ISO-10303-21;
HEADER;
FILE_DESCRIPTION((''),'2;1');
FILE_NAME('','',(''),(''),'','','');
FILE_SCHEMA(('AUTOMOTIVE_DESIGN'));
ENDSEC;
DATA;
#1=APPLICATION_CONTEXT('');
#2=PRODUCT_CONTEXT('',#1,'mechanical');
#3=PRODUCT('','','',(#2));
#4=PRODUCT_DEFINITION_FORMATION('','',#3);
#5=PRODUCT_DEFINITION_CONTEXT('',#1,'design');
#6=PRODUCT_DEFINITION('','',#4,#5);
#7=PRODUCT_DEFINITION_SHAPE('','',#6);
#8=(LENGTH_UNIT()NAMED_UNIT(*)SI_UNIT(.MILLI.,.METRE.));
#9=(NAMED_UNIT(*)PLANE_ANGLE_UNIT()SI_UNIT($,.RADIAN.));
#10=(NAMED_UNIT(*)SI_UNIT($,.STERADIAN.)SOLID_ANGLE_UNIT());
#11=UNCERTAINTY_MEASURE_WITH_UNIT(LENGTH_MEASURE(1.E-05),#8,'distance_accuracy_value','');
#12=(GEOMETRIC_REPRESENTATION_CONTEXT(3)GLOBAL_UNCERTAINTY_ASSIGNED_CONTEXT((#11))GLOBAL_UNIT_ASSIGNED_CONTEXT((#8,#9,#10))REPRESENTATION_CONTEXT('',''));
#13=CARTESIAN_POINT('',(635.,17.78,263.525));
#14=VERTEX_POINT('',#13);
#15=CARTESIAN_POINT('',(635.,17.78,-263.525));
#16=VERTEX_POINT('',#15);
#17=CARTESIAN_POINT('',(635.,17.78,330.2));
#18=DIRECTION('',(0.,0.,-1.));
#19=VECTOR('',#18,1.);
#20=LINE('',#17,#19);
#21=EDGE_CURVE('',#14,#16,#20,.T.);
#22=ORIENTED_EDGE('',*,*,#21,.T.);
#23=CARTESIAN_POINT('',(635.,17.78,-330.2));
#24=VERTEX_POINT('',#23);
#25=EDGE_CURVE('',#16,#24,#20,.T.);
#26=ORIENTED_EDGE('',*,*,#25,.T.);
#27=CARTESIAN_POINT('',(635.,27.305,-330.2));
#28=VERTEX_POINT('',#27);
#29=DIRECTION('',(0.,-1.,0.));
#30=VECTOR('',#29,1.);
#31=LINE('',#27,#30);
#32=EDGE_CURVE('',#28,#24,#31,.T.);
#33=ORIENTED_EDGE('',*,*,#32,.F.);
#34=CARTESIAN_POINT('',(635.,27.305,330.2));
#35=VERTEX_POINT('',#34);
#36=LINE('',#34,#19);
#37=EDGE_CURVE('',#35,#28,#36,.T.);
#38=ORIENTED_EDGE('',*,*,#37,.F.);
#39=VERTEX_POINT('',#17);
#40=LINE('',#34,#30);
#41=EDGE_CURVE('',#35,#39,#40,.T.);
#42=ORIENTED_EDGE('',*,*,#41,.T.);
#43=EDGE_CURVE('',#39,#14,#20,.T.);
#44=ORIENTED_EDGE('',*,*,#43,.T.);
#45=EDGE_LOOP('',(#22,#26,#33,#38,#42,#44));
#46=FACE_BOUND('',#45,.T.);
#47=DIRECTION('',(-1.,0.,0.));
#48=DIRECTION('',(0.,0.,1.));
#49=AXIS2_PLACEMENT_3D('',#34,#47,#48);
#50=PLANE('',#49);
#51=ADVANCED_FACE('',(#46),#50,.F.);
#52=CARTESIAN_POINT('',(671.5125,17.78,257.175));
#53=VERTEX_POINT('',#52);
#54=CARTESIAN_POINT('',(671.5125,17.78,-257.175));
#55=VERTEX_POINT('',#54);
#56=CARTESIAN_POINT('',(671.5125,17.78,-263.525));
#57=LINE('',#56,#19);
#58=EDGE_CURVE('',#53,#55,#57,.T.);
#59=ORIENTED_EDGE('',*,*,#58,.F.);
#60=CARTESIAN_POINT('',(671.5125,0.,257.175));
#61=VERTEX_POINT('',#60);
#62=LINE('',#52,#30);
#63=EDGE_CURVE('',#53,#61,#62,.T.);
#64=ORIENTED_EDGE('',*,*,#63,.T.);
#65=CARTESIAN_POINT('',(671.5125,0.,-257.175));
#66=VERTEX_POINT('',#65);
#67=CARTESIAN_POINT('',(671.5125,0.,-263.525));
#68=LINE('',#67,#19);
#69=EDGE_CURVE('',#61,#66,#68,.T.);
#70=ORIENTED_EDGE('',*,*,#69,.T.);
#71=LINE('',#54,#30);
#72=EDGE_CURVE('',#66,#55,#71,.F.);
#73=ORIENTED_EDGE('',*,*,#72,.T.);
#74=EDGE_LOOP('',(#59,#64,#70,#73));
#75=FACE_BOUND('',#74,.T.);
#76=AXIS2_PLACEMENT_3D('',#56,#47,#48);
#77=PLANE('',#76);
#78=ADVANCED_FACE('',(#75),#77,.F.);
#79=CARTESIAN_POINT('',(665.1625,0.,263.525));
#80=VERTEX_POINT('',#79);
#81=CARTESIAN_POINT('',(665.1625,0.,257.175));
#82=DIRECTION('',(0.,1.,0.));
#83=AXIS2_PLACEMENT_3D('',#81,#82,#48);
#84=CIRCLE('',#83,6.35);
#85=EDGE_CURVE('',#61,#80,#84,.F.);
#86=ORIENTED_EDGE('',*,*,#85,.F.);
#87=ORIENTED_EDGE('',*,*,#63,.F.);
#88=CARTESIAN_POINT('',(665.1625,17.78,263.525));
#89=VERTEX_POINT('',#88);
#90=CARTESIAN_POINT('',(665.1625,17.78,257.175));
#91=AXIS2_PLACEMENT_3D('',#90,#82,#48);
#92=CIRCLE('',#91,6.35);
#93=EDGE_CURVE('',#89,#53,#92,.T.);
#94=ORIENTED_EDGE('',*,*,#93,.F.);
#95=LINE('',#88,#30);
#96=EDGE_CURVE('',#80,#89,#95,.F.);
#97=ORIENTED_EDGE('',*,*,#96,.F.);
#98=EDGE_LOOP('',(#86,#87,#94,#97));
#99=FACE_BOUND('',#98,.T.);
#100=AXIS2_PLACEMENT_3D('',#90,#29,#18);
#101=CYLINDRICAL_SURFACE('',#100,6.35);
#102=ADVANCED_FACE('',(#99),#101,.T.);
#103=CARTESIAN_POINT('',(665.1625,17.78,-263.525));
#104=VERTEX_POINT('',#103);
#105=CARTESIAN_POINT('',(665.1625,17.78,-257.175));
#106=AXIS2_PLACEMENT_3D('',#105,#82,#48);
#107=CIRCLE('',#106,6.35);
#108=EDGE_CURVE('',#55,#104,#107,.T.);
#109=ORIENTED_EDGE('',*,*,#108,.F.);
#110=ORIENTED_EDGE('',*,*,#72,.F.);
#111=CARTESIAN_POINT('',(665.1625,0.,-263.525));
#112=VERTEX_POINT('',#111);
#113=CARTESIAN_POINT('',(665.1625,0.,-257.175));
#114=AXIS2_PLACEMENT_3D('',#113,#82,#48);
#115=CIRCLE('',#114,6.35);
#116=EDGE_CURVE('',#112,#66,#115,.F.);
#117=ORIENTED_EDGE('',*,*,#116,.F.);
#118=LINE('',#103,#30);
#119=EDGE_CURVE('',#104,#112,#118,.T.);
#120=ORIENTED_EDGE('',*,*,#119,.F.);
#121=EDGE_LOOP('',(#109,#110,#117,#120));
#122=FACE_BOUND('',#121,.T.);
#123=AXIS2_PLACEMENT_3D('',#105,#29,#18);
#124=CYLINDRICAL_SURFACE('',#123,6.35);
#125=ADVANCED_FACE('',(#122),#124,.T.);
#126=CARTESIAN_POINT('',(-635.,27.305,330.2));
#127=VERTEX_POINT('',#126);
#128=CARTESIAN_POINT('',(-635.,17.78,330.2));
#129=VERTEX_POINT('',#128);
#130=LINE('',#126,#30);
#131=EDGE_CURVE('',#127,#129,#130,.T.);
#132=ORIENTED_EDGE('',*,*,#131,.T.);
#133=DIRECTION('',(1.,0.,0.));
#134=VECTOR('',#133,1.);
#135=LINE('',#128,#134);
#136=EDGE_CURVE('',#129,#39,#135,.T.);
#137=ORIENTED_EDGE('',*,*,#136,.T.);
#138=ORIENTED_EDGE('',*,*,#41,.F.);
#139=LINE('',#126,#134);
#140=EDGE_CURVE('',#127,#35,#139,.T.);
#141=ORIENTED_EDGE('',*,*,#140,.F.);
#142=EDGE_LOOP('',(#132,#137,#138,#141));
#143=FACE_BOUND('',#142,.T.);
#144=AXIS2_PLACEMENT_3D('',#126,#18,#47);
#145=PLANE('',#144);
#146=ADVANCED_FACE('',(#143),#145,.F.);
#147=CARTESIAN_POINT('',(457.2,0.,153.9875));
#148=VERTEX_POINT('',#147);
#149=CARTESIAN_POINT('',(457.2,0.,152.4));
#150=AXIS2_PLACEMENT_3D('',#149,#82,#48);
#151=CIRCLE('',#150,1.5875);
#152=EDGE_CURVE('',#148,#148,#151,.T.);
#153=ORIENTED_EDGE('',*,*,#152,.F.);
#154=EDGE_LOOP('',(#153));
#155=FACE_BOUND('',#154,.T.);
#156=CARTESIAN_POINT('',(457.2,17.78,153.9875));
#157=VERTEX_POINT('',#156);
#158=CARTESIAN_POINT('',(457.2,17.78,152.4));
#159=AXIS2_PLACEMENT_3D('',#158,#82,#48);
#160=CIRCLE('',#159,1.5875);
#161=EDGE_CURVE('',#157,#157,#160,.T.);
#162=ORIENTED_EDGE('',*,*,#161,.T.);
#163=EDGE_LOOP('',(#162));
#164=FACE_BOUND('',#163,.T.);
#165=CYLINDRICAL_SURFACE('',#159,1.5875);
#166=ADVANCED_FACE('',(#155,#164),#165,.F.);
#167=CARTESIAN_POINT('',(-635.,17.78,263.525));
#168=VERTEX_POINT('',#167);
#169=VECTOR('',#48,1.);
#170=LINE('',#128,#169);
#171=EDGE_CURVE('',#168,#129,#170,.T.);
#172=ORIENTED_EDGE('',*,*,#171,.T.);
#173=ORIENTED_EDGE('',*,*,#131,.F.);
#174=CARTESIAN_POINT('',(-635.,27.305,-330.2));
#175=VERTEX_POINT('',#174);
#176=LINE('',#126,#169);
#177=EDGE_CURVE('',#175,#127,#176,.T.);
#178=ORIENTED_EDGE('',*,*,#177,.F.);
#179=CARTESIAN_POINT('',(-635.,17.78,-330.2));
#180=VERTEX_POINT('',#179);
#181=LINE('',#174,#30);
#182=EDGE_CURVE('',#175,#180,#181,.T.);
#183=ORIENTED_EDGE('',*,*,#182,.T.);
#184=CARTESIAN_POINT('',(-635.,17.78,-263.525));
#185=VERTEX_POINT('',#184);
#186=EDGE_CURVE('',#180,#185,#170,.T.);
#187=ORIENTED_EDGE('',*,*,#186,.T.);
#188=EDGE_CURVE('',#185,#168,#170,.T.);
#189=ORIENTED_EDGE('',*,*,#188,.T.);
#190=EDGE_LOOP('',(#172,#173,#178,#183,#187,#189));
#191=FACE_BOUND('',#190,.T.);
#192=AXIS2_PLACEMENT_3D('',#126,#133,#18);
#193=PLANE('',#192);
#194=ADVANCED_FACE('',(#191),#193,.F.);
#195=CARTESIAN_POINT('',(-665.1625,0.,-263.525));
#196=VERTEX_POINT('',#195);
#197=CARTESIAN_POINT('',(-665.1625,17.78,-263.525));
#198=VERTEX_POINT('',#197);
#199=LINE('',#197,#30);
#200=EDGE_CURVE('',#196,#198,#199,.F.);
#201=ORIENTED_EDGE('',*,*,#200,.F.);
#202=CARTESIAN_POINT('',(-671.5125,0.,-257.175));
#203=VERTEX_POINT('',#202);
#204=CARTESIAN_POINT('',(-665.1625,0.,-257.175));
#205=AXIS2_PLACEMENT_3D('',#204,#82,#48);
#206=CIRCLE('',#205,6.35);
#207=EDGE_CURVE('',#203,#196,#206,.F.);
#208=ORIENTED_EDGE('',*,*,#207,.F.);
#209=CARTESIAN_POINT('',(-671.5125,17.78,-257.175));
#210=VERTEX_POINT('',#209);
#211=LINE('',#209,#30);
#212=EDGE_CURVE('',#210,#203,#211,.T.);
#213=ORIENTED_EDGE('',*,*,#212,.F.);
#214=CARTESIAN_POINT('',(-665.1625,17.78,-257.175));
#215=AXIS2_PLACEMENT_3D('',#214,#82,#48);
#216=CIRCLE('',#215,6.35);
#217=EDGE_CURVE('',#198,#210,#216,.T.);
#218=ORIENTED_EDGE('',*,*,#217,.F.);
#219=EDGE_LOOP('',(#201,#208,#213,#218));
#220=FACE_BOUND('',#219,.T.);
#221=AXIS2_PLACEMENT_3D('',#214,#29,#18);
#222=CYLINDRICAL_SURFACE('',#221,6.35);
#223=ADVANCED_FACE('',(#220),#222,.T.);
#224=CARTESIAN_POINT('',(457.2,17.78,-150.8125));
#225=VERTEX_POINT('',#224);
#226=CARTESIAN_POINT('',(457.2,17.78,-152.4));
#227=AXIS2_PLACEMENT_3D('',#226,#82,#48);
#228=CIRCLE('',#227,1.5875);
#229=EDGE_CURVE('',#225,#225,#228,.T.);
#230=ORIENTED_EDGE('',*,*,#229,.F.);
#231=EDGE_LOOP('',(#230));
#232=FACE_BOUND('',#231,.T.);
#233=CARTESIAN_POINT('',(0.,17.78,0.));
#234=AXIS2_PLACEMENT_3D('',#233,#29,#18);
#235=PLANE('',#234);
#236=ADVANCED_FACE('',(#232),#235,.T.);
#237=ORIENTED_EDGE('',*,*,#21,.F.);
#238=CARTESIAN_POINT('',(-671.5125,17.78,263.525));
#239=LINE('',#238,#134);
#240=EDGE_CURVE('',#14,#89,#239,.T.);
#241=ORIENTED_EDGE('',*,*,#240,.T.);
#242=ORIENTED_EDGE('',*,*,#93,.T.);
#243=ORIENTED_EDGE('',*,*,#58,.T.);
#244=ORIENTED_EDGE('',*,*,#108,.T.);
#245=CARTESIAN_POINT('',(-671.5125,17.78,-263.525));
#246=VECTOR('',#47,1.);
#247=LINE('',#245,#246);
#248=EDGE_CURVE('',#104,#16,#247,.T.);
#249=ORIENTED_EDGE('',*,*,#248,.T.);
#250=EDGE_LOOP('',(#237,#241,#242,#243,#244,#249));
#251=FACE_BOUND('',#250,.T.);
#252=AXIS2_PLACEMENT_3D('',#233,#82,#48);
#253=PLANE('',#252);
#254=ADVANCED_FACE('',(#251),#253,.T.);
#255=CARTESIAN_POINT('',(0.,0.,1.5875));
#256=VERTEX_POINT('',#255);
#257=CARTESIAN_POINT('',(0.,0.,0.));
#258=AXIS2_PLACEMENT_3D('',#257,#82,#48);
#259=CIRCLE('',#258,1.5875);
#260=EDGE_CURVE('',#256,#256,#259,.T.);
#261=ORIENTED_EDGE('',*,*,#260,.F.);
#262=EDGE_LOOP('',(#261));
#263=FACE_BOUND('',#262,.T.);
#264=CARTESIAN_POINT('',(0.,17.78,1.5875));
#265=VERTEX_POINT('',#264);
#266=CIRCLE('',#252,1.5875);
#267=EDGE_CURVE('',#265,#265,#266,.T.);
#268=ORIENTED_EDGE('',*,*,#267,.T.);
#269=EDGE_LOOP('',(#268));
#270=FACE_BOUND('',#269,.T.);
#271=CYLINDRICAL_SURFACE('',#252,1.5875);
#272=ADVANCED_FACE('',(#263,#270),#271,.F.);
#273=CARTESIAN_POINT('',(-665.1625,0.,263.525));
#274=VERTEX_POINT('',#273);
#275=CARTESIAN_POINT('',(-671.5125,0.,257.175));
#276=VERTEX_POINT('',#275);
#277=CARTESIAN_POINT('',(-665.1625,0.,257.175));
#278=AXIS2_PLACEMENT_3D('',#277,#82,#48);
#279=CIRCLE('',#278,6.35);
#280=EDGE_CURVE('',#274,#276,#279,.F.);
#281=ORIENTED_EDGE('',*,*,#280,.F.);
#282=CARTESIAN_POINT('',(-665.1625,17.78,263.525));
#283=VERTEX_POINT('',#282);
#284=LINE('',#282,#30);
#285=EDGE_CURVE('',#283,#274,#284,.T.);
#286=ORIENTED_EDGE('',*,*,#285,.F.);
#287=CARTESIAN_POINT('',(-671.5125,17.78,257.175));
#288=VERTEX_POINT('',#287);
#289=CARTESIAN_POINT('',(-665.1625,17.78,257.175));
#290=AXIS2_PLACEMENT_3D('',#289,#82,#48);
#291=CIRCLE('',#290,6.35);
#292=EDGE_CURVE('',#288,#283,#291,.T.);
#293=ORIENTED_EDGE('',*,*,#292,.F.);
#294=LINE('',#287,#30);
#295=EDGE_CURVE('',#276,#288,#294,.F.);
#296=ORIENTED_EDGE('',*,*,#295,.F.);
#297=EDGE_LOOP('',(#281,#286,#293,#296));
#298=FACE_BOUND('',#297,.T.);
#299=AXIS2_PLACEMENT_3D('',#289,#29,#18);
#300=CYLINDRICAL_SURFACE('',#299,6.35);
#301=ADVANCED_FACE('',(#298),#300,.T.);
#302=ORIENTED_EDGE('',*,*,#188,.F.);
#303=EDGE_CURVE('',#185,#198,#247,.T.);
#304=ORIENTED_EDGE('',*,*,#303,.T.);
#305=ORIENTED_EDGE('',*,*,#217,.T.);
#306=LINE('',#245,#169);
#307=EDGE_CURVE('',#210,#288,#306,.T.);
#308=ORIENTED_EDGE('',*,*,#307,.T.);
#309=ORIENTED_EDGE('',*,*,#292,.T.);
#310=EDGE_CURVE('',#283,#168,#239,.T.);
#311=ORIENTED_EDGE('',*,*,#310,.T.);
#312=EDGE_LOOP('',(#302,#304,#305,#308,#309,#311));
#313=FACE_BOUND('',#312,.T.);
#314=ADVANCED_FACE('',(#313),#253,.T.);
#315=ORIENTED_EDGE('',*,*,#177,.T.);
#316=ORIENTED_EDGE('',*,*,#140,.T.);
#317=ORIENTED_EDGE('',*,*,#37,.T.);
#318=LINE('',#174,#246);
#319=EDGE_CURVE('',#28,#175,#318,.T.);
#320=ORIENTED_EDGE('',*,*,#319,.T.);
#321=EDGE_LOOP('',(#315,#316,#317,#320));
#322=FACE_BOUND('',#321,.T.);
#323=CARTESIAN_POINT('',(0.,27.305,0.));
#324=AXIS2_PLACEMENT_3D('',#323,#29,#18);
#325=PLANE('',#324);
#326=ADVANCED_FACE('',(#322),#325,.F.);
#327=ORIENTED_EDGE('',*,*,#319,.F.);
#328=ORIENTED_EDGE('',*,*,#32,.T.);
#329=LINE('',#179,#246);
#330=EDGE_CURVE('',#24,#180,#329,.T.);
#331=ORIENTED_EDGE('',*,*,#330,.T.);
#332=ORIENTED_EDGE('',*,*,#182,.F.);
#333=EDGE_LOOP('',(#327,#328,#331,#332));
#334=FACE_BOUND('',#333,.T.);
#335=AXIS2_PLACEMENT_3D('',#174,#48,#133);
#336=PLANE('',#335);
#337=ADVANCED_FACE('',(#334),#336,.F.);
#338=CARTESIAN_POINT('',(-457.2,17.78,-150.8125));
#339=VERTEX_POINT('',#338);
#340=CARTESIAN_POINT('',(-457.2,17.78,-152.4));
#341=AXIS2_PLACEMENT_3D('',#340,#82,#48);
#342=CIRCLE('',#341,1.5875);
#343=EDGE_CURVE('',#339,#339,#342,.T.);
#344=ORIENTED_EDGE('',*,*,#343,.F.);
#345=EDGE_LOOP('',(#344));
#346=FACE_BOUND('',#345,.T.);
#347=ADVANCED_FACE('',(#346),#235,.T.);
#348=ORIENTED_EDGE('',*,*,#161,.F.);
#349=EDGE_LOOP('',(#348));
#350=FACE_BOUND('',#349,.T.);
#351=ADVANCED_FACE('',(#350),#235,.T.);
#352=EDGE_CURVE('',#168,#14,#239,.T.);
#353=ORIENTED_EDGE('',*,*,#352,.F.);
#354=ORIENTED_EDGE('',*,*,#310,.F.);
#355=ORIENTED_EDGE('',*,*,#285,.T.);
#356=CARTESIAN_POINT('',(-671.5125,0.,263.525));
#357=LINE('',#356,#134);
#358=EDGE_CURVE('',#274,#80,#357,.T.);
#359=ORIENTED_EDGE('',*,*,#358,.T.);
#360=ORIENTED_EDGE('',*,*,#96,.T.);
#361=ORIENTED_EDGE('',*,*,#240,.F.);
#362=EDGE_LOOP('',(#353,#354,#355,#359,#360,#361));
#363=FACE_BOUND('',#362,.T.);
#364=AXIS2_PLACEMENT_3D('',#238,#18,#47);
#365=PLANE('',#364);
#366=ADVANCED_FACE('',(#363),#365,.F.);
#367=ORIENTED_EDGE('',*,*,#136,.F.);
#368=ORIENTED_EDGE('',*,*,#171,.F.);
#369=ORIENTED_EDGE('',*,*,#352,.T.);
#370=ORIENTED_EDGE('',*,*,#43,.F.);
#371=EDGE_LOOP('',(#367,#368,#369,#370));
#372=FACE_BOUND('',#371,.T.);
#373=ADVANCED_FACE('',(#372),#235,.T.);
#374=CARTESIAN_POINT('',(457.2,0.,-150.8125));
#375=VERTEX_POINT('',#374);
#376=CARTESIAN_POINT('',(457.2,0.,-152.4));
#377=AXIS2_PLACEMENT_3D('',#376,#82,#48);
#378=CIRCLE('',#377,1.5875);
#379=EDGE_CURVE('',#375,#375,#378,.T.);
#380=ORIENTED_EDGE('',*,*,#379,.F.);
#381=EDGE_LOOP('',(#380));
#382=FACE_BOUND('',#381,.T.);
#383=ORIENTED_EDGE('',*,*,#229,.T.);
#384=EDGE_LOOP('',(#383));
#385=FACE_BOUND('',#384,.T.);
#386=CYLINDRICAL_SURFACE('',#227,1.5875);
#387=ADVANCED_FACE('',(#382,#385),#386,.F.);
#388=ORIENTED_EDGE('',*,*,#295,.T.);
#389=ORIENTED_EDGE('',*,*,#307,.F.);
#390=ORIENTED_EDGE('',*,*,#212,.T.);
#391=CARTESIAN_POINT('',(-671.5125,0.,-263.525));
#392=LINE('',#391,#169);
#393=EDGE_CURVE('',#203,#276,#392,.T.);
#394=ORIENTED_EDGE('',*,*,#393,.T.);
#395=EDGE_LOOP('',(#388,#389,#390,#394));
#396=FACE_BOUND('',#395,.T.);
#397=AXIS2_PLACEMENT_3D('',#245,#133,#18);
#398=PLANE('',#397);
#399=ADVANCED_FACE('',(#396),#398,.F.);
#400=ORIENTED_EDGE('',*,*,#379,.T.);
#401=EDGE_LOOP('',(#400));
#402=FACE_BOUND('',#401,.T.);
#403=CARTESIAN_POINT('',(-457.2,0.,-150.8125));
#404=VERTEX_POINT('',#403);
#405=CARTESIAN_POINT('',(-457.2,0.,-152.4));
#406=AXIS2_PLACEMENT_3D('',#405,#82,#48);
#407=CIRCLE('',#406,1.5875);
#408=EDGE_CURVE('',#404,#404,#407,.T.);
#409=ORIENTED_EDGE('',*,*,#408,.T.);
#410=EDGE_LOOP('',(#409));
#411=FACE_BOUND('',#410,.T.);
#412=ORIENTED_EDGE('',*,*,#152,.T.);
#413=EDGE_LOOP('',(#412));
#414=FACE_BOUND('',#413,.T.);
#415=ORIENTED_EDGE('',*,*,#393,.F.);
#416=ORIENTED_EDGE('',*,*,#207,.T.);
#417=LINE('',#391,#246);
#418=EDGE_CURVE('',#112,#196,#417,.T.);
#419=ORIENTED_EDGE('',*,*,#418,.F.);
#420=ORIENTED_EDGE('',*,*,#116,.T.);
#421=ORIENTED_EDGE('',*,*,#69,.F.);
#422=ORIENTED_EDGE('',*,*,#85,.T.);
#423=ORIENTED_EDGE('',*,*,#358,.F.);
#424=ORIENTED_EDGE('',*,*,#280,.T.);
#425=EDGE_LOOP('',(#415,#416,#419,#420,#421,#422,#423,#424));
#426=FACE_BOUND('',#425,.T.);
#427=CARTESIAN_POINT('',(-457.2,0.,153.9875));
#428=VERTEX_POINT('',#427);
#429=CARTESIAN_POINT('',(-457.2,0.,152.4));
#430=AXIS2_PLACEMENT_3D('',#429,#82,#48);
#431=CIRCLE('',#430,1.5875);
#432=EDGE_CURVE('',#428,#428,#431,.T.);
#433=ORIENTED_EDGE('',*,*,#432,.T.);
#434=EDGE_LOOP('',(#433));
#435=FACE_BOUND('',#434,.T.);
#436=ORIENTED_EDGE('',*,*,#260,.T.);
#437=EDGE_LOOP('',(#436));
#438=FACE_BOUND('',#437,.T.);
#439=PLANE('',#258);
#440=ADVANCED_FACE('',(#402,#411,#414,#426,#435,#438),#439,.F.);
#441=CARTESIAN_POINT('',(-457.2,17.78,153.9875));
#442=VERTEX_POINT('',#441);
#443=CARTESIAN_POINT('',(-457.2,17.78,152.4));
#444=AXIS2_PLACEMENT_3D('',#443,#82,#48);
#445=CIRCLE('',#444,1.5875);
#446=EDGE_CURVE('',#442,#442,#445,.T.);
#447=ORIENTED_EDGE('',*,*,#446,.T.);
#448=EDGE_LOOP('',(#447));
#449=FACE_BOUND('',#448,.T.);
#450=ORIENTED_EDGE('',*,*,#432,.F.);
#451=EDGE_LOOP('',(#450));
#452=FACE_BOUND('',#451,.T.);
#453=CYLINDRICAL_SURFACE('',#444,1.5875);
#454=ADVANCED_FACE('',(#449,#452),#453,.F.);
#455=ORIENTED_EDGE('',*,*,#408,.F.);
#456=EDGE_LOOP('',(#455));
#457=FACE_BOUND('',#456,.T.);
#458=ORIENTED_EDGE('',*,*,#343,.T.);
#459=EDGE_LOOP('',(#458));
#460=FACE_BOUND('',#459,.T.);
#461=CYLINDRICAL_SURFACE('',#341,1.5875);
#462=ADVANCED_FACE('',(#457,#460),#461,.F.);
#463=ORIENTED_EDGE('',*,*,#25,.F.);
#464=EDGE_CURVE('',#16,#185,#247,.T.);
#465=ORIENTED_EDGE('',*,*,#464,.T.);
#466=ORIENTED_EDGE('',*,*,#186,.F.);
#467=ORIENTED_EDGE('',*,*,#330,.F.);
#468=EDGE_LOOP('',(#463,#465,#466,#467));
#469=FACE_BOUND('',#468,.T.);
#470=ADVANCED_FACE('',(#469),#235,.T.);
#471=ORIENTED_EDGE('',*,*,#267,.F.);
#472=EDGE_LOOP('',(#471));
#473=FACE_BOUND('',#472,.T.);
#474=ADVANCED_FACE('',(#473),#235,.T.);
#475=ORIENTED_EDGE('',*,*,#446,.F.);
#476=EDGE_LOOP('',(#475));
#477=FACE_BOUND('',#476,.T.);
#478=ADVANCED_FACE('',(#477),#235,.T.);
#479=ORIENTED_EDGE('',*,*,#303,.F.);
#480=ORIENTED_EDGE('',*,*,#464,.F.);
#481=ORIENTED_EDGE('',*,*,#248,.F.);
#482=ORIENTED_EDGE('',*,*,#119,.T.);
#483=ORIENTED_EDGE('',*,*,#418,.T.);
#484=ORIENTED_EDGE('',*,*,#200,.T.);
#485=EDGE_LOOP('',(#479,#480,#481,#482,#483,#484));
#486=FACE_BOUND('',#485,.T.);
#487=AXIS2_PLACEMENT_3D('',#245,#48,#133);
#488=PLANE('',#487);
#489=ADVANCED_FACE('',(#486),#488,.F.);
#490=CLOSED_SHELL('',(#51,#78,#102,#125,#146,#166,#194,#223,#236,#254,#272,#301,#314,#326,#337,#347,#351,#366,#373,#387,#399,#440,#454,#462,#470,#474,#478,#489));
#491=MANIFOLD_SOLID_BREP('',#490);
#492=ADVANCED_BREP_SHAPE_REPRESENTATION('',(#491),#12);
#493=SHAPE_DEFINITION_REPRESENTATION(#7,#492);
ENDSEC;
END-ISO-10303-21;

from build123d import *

# Parameters (mm, degrees)
SKETCH1_W                    = 1343.025
SKETCH1_H                    = 527.05
BOSS_EXTRUDE1_DEPTH          = 17.78
FILLET1_R                    = 6.35
F_1_8_0_125_DIAMETER_HOLE1_D = 3.175
SKETCH2_W                    = 1270
SKETCH2_H                    = 660.4
BOSS_EXTRUDE2_DEPTH          = 9.525


with BuildPart() as part:
    # Sketch1 → Boss-Extrude1 (new body)
    with BuildSketch(Plane(origin=(0, 0, 0), x_dir=(1, 0, 0), z_dir=(0, 1, 0))):
        Rectangle(SKETCH1_W, SKETCH1_H)
    extrude(amount=BOSS_EXTRUDE1_DEPTH)

    # Fillet1
    fillet1_edges = [part.edges().sort_by_distance(p)[0] for p in [
        (671.5125, 8.89, 263.525),
        (-671.5125, 8.89, 263.525),
        (-671.5125, 8.89, -263.525),
        (671.5125, 8.89, -263.525),
    ]]
    fillet(fillet1_edges, radius=FILLET1_R)

    # 1/8 (0.125) Diameter Hole1 (through all)
    with Locations(Plane(origin=(0, 17.78, 0), x_dir=(1, 0, 0), z_dir=(0, 1, 0))):
        with Locations((0, 0), (457.2, 152.4), (-457.2, -152.4), (-457.2, 152.4), (457.2, -152.4)):
            Hole(F_1_8_0_125_DIAMETER_HOLE1_D / 2)

    # Sketch2 → Boss-Extrude2 (add)
    with BuildSketch(Plane(origin=(0, 17.78, 0), x_dir=(1, 0, 0), z_dir=(0, 1, 0))):
        Rectangle(SKETCH2_W, SKETCH2_H)
    extrude(amount=BOSS_EXTRUDE2_DEPTH)


solid = part.part
